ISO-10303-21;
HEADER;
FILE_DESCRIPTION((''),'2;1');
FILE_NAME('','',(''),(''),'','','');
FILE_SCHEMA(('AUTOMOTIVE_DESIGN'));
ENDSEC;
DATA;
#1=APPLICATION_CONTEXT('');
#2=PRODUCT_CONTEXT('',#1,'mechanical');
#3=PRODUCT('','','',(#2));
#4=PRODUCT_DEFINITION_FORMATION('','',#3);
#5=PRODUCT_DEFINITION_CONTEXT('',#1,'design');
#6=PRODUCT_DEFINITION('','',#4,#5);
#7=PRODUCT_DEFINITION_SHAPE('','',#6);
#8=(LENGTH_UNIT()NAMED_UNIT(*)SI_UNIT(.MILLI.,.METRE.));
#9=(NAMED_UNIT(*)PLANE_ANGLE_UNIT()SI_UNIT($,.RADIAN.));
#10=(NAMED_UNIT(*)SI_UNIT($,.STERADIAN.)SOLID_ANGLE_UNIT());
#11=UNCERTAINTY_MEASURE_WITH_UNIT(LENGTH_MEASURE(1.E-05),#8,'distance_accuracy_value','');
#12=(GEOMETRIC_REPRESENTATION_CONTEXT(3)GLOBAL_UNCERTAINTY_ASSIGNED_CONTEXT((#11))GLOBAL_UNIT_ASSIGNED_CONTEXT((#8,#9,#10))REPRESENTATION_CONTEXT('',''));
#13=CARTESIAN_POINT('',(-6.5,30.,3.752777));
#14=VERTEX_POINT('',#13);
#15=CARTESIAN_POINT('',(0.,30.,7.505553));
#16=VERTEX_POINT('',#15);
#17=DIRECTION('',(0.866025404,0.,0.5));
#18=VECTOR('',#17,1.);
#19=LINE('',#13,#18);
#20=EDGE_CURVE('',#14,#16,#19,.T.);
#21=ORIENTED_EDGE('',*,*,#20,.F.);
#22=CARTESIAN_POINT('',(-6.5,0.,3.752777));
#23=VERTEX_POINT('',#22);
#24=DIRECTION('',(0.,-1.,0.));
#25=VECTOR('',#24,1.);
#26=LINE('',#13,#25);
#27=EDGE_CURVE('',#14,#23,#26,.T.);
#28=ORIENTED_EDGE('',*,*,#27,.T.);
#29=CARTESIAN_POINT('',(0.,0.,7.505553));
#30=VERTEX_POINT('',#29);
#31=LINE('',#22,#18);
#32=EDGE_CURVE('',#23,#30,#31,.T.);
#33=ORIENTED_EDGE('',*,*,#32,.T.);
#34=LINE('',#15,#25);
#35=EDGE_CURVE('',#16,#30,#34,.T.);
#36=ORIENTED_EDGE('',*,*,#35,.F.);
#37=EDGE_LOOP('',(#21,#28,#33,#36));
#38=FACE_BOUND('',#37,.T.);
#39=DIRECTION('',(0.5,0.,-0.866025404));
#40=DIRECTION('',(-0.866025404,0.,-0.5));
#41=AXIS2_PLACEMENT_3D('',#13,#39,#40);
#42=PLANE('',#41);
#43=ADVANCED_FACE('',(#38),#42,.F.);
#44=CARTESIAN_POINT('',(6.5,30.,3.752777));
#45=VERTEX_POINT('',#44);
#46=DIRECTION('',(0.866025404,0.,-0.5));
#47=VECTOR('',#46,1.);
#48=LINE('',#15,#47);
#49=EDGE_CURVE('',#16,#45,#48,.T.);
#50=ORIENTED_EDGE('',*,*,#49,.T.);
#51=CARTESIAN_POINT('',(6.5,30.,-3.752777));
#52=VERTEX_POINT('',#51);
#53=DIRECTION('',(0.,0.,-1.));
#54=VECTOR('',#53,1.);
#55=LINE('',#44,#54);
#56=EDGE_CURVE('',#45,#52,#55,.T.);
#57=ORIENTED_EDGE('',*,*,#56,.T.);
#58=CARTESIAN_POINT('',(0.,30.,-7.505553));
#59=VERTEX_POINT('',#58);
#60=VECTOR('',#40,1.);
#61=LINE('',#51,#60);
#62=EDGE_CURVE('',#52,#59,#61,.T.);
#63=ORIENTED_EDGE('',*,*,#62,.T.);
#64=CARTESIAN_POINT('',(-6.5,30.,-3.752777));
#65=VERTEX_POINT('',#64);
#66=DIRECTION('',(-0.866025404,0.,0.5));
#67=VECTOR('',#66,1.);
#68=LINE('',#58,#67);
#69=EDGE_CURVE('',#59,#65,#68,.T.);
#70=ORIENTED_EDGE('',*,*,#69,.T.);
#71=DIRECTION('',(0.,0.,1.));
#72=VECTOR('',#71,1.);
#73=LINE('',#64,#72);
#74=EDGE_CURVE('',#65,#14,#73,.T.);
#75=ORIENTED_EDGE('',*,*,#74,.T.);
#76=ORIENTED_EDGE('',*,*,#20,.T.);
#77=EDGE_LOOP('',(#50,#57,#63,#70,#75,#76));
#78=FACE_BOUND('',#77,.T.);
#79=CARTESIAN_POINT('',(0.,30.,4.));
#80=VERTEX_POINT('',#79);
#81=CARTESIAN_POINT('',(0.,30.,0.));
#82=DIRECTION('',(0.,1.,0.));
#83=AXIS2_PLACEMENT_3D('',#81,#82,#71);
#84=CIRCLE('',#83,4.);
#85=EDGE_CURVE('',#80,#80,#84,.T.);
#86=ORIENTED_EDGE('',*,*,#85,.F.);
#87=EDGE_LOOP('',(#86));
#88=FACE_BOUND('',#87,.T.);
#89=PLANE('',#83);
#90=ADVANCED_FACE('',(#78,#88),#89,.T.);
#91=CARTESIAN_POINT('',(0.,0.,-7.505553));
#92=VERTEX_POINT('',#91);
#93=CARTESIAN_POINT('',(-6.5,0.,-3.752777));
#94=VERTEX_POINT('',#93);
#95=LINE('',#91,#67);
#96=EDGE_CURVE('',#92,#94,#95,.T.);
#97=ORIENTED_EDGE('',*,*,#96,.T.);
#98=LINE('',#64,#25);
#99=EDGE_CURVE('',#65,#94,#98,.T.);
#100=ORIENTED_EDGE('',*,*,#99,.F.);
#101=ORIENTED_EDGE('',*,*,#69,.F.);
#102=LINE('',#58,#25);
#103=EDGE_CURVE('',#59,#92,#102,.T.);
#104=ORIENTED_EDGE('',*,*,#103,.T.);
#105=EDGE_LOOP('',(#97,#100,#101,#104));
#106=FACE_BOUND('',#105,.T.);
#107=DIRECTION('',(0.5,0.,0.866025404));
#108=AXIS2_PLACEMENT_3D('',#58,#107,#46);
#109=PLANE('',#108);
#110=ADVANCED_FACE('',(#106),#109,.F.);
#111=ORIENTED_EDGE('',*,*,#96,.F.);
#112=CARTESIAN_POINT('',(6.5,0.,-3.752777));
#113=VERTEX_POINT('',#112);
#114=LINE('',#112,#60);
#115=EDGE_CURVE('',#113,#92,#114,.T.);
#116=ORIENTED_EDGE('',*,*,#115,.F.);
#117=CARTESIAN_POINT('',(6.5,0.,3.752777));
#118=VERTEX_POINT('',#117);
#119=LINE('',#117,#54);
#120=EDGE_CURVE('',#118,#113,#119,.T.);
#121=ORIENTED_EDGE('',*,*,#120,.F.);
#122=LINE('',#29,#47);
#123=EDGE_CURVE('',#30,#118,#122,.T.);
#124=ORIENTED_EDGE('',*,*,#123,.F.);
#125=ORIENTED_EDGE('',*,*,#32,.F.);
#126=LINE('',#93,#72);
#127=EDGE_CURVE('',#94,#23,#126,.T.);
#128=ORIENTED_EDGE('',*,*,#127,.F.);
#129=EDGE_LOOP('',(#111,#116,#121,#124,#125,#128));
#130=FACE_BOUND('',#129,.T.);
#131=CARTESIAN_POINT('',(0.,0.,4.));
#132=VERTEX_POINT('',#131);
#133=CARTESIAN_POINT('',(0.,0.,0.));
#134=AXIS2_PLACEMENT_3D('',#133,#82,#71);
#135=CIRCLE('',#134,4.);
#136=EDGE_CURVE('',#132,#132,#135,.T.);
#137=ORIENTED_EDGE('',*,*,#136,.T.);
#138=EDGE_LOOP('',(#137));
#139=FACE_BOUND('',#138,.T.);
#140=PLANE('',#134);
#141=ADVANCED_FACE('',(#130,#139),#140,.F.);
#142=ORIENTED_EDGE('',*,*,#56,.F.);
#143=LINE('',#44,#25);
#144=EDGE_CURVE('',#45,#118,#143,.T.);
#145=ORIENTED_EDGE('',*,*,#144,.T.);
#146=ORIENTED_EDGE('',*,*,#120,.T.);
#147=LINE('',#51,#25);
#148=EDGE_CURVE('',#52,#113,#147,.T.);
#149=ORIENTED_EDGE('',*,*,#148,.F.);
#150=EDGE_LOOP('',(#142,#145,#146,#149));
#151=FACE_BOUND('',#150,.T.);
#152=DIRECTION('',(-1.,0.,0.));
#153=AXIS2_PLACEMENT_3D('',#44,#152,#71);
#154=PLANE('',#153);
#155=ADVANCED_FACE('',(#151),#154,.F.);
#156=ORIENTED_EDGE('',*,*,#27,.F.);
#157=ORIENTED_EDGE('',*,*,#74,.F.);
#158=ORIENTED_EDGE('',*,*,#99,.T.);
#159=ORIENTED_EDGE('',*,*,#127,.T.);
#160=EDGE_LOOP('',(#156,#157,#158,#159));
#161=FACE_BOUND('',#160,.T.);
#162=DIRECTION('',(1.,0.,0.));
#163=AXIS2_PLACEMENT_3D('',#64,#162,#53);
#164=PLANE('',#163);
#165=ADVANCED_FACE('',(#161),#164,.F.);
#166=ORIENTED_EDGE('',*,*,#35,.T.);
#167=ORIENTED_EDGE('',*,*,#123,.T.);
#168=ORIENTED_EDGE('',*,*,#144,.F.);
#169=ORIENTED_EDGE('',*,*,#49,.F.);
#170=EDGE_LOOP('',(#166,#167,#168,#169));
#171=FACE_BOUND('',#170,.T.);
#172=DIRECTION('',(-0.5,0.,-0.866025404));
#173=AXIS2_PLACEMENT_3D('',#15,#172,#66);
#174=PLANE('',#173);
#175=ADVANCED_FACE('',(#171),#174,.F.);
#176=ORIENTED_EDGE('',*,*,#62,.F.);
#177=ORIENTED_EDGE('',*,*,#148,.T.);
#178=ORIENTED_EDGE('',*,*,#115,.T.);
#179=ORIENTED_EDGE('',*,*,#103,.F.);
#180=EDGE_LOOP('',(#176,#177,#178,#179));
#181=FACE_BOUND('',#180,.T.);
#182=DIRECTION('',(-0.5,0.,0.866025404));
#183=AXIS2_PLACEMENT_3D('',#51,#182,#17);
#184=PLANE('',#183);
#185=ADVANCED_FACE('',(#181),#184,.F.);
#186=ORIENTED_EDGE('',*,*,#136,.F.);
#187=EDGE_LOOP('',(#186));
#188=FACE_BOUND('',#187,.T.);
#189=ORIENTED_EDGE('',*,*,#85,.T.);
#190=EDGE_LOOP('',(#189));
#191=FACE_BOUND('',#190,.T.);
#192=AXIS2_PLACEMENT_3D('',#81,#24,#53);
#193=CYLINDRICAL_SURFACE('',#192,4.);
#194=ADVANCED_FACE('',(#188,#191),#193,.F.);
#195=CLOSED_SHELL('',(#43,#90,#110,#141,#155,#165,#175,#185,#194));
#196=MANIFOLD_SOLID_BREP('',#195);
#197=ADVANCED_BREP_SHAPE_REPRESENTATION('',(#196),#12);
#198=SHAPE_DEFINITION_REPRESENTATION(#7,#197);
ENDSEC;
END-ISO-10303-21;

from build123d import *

# Parameters (mm, degrees)
SKETCH_1_R      = 4
EXTRUDE_1_DEPTH = 30


with BuildPart() as part:
    # Эскиз1 → Бобышка-Вытянуть1 (new body)
    with BuildSketch(Plane(origin=(0, 0, 0), x_dir=(1, 0, 0), z_dir=(0, 1, 0))):
        Polygon((0, 7.505553499), (-6.5, 3.75277675), (-6.5, -3.75277675), (0, -7.505553499), (6.5, -3.75277675), (6.5, 3.75277675), align=None)
        Circle(SKETCH_1_R, mode=Mode.SUBTRACT)
    extrude(amount=EXTRUDE_1_DEPTH)


solid = part.part
